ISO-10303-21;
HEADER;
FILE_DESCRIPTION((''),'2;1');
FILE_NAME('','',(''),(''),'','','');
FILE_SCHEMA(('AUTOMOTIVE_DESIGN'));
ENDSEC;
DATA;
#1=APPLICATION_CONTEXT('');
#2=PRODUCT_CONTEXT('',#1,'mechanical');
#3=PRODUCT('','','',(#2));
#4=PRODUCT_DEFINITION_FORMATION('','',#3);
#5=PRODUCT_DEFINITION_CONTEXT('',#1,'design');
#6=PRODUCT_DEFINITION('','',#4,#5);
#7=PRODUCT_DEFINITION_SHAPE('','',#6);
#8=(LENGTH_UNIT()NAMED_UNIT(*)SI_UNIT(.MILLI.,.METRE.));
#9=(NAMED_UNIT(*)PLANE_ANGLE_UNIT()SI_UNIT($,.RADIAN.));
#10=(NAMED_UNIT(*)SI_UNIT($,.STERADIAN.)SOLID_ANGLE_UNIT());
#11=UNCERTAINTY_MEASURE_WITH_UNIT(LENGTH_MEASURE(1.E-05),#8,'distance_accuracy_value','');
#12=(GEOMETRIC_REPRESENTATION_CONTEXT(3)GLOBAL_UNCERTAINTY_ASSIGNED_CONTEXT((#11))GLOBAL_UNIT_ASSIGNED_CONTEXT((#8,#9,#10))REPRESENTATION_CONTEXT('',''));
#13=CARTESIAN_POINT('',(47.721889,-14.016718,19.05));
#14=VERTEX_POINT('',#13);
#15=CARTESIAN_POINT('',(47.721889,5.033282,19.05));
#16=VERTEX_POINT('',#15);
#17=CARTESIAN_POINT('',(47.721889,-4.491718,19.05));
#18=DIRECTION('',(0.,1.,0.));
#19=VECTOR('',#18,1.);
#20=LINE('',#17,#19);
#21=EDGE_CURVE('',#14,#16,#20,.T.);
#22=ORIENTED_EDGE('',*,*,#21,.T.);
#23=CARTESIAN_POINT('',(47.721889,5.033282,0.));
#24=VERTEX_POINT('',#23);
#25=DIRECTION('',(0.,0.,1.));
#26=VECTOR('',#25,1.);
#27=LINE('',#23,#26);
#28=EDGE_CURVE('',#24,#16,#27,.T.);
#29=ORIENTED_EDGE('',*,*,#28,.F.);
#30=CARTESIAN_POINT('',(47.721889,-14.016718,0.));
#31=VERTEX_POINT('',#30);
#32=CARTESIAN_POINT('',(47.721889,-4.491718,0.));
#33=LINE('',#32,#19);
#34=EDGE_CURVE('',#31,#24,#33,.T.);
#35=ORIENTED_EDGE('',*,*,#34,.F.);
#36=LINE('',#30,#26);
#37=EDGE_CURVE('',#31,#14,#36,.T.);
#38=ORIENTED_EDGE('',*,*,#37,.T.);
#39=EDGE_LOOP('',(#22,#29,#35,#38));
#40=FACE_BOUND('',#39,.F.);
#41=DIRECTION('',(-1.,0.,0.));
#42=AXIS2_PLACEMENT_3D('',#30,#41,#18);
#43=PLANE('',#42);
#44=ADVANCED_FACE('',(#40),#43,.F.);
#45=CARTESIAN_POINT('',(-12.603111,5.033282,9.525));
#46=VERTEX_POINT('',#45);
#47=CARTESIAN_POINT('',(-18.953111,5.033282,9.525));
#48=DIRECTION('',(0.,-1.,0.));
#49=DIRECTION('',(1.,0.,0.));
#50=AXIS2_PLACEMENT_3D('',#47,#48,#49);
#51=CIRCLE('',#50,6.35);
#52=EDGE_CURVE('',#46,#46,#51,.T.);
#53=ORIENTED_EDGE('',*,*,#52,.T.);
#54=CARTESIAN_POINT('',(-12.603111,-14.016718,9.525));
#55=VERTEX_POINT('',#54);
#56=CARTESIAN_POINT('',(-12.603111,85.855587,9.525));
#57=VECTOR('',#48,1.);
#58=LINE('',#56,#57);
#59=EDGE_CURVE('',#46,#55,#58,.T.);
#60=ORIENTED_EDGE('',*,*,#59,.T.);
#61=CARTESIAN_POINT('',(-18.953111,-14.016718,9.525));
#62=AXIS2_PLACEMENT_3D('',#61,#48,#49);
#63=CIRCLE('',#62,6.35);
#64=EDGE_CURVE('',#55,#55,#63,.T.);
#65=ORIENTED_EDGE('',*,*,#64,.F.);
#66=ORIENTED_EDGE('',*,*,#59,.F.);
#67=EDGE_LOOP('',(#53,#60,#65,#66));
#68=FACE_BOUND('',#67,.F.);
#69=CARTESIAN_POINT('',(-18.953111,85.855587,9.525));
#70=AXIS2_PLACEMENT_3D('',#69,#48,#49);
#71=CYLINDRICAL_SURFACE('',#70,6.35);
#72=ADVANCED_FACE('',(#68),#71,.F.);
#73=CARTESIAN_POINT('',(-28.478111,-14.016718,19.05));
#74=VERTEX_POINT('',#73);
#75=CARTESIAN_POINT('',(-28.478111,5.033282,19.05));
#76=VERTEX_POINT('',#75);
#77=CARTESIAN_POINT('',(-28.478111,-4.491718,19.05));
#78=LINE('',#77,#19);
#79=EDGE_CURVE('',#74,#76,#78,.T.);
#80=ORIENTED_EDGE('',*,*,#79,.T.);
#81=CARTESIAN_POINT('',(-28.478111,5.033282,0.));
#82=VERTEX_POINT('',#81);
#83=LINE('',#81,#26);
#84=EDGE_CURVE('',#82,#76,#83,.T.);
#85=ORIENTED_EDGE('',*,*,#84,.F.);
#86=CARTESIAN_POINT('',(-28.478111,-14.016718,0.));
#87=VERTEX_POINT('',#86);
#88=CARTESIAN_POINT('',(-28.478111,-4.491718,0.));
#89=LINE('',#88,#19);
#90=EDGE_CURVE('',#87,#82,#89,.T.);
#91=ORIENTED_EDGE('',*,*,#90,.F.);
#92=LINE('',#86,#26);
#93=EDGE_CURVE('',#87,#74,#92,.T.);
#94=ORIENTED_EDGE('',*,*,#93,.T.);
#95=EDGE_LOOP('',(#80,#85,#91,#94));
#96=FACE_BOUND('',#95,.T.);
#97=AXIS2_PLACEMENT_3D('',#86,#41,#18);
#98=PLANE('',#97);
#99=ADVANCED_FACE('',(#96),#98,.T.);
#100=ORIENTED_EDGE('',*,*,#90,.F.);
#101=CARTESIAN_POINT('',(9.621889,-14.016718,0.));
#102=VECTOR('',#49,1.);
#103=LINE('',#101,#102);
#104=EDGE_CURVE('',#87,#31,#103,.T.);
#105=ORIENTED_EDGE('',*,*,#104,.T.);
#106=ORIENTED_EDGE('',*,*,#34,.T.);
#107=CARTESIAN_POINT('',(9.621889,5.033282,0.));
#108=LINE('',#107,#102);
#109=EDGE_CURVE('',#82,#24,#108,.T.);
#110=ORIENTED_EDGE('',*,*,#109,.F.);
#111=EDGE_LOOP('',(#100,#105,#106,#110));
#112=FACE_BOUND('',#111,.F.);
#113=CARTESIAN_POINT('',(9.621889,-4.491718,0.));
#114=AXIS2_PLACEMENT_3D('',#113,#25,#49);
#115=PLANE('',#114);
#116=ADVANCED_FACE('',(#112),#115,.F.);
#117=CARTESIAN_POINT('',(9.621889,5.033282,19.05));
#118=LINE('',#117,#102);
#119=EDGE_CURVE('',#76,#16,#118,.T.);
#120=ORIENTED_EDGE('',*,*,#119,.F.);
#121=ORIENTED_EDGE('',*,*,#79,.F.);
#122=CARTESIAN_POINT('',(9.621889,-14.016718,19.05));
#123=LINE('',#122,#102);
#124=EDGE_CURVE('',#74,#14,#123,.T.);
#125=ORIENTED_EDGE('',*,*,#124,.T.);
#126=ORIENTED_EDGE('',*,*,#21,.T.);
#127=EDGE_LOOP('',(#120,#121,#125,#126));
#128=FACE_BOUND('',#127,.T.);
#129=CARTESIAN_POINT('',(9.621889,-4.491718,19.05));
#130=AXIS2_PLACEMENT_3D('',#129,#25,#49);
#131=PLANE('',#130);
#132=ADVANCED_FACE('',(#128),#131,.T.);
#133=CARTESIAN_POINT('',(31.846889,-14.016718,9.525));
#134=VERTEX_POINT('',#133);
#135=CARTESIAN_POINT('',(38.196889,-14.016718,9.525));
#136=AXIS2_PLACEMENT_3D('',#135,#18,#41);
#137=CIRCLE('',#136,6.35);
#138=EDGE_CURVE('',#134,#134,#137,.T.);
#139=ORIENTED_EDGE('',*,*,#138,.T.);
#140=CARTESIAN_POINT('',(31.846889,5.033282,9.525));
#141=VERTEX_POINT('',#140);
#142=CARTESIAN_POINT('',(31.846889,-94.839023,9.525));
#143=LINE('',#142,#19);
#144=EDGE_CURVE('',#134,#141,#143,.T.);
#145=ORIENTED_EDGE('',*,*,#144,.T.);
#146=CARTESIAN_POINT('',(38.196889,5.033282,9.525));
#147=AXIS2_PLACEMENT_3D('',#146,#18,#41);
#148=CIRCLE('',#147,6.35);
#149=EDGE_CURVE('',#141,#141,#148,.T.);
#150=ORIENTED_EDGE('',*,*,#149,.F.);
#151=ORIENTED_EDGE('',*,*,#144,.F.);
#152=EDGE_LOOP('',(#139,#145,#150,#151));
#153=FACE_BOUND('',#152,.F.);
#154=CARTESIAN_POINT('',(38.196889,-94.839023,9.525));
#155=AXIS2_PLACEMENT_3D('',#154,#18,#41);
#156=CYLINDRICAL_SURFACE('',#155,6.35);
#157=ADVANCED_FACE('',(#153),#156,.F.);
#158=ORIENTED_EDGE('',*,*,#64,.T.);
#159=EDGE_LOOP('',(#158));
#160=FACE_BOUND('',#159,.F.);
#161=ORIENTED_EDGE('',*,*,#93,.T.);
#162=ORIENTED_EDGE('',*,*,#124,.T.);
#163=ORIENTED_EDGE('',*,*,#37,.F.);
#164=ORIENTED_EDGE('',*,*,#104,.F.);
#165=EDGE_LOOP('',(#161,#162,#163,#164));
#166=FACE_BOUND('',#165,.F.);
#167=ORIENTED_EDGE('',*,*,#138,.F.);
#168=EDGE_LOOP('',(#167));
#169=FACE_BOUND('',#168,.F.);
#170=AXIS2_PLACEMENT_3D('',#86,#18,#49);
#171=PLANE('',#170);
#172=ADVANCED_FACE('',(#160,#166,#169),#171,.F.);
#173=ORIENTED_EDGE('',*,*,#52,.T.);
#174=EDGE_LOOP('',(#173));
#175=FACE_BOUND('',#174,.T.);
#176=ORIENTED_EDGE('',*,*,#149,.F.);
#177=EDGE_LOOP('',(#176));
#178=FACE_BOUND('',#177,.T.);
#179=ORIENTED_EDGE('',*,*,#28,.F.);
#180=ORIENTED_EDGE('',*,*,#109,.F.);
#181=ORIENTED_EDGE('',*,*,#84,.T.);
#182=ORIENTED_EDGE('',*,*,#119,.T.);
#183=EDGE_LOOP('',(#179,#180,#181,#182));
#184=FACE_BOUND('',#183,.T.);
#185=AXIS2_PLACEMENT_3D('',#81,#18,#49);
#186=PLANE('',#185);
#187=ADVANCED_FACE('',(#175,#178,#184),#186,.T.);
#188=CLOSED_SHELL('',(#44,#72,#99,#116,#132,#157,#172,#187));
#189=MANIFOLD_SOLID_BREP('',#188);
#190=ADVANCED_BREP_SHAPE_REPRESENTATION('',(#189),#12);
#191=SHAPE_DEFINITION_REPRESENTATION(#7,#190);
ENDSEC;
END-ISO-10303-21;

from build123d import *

# Parameters (mm, degrees)
F0_W     = 76.2
F0_H     = 19.05
F1_DEPTH = 19.05
F3_D     = 12.7
F5_D     = 12.7


with BuildPart() as f1:
    # F0 (on Top) → F1 (new body)
    with BuildSketch(Plane.XY):
        with Locations((9.621889, -4.491718)):
            Rectangle(F0_W, F0_H)
    extrude(amount=F1_DEPTH)

    # F3 (through all)
    with Locations(Plane(origin=(0, 5.033282, 0), x_dir=(-1, 0, 0), z_dir=(0, 1, 0))):
        with Locations((18.953111, 9.525)):
            Hole(F3_D / 2)

    # F5 (through all)
    with Locations(Plane.XZ.offset(14.016718)):
        with Locations((38.196889, 9.525)):
            Hole(F5_D / 2)


solid = f1.part
